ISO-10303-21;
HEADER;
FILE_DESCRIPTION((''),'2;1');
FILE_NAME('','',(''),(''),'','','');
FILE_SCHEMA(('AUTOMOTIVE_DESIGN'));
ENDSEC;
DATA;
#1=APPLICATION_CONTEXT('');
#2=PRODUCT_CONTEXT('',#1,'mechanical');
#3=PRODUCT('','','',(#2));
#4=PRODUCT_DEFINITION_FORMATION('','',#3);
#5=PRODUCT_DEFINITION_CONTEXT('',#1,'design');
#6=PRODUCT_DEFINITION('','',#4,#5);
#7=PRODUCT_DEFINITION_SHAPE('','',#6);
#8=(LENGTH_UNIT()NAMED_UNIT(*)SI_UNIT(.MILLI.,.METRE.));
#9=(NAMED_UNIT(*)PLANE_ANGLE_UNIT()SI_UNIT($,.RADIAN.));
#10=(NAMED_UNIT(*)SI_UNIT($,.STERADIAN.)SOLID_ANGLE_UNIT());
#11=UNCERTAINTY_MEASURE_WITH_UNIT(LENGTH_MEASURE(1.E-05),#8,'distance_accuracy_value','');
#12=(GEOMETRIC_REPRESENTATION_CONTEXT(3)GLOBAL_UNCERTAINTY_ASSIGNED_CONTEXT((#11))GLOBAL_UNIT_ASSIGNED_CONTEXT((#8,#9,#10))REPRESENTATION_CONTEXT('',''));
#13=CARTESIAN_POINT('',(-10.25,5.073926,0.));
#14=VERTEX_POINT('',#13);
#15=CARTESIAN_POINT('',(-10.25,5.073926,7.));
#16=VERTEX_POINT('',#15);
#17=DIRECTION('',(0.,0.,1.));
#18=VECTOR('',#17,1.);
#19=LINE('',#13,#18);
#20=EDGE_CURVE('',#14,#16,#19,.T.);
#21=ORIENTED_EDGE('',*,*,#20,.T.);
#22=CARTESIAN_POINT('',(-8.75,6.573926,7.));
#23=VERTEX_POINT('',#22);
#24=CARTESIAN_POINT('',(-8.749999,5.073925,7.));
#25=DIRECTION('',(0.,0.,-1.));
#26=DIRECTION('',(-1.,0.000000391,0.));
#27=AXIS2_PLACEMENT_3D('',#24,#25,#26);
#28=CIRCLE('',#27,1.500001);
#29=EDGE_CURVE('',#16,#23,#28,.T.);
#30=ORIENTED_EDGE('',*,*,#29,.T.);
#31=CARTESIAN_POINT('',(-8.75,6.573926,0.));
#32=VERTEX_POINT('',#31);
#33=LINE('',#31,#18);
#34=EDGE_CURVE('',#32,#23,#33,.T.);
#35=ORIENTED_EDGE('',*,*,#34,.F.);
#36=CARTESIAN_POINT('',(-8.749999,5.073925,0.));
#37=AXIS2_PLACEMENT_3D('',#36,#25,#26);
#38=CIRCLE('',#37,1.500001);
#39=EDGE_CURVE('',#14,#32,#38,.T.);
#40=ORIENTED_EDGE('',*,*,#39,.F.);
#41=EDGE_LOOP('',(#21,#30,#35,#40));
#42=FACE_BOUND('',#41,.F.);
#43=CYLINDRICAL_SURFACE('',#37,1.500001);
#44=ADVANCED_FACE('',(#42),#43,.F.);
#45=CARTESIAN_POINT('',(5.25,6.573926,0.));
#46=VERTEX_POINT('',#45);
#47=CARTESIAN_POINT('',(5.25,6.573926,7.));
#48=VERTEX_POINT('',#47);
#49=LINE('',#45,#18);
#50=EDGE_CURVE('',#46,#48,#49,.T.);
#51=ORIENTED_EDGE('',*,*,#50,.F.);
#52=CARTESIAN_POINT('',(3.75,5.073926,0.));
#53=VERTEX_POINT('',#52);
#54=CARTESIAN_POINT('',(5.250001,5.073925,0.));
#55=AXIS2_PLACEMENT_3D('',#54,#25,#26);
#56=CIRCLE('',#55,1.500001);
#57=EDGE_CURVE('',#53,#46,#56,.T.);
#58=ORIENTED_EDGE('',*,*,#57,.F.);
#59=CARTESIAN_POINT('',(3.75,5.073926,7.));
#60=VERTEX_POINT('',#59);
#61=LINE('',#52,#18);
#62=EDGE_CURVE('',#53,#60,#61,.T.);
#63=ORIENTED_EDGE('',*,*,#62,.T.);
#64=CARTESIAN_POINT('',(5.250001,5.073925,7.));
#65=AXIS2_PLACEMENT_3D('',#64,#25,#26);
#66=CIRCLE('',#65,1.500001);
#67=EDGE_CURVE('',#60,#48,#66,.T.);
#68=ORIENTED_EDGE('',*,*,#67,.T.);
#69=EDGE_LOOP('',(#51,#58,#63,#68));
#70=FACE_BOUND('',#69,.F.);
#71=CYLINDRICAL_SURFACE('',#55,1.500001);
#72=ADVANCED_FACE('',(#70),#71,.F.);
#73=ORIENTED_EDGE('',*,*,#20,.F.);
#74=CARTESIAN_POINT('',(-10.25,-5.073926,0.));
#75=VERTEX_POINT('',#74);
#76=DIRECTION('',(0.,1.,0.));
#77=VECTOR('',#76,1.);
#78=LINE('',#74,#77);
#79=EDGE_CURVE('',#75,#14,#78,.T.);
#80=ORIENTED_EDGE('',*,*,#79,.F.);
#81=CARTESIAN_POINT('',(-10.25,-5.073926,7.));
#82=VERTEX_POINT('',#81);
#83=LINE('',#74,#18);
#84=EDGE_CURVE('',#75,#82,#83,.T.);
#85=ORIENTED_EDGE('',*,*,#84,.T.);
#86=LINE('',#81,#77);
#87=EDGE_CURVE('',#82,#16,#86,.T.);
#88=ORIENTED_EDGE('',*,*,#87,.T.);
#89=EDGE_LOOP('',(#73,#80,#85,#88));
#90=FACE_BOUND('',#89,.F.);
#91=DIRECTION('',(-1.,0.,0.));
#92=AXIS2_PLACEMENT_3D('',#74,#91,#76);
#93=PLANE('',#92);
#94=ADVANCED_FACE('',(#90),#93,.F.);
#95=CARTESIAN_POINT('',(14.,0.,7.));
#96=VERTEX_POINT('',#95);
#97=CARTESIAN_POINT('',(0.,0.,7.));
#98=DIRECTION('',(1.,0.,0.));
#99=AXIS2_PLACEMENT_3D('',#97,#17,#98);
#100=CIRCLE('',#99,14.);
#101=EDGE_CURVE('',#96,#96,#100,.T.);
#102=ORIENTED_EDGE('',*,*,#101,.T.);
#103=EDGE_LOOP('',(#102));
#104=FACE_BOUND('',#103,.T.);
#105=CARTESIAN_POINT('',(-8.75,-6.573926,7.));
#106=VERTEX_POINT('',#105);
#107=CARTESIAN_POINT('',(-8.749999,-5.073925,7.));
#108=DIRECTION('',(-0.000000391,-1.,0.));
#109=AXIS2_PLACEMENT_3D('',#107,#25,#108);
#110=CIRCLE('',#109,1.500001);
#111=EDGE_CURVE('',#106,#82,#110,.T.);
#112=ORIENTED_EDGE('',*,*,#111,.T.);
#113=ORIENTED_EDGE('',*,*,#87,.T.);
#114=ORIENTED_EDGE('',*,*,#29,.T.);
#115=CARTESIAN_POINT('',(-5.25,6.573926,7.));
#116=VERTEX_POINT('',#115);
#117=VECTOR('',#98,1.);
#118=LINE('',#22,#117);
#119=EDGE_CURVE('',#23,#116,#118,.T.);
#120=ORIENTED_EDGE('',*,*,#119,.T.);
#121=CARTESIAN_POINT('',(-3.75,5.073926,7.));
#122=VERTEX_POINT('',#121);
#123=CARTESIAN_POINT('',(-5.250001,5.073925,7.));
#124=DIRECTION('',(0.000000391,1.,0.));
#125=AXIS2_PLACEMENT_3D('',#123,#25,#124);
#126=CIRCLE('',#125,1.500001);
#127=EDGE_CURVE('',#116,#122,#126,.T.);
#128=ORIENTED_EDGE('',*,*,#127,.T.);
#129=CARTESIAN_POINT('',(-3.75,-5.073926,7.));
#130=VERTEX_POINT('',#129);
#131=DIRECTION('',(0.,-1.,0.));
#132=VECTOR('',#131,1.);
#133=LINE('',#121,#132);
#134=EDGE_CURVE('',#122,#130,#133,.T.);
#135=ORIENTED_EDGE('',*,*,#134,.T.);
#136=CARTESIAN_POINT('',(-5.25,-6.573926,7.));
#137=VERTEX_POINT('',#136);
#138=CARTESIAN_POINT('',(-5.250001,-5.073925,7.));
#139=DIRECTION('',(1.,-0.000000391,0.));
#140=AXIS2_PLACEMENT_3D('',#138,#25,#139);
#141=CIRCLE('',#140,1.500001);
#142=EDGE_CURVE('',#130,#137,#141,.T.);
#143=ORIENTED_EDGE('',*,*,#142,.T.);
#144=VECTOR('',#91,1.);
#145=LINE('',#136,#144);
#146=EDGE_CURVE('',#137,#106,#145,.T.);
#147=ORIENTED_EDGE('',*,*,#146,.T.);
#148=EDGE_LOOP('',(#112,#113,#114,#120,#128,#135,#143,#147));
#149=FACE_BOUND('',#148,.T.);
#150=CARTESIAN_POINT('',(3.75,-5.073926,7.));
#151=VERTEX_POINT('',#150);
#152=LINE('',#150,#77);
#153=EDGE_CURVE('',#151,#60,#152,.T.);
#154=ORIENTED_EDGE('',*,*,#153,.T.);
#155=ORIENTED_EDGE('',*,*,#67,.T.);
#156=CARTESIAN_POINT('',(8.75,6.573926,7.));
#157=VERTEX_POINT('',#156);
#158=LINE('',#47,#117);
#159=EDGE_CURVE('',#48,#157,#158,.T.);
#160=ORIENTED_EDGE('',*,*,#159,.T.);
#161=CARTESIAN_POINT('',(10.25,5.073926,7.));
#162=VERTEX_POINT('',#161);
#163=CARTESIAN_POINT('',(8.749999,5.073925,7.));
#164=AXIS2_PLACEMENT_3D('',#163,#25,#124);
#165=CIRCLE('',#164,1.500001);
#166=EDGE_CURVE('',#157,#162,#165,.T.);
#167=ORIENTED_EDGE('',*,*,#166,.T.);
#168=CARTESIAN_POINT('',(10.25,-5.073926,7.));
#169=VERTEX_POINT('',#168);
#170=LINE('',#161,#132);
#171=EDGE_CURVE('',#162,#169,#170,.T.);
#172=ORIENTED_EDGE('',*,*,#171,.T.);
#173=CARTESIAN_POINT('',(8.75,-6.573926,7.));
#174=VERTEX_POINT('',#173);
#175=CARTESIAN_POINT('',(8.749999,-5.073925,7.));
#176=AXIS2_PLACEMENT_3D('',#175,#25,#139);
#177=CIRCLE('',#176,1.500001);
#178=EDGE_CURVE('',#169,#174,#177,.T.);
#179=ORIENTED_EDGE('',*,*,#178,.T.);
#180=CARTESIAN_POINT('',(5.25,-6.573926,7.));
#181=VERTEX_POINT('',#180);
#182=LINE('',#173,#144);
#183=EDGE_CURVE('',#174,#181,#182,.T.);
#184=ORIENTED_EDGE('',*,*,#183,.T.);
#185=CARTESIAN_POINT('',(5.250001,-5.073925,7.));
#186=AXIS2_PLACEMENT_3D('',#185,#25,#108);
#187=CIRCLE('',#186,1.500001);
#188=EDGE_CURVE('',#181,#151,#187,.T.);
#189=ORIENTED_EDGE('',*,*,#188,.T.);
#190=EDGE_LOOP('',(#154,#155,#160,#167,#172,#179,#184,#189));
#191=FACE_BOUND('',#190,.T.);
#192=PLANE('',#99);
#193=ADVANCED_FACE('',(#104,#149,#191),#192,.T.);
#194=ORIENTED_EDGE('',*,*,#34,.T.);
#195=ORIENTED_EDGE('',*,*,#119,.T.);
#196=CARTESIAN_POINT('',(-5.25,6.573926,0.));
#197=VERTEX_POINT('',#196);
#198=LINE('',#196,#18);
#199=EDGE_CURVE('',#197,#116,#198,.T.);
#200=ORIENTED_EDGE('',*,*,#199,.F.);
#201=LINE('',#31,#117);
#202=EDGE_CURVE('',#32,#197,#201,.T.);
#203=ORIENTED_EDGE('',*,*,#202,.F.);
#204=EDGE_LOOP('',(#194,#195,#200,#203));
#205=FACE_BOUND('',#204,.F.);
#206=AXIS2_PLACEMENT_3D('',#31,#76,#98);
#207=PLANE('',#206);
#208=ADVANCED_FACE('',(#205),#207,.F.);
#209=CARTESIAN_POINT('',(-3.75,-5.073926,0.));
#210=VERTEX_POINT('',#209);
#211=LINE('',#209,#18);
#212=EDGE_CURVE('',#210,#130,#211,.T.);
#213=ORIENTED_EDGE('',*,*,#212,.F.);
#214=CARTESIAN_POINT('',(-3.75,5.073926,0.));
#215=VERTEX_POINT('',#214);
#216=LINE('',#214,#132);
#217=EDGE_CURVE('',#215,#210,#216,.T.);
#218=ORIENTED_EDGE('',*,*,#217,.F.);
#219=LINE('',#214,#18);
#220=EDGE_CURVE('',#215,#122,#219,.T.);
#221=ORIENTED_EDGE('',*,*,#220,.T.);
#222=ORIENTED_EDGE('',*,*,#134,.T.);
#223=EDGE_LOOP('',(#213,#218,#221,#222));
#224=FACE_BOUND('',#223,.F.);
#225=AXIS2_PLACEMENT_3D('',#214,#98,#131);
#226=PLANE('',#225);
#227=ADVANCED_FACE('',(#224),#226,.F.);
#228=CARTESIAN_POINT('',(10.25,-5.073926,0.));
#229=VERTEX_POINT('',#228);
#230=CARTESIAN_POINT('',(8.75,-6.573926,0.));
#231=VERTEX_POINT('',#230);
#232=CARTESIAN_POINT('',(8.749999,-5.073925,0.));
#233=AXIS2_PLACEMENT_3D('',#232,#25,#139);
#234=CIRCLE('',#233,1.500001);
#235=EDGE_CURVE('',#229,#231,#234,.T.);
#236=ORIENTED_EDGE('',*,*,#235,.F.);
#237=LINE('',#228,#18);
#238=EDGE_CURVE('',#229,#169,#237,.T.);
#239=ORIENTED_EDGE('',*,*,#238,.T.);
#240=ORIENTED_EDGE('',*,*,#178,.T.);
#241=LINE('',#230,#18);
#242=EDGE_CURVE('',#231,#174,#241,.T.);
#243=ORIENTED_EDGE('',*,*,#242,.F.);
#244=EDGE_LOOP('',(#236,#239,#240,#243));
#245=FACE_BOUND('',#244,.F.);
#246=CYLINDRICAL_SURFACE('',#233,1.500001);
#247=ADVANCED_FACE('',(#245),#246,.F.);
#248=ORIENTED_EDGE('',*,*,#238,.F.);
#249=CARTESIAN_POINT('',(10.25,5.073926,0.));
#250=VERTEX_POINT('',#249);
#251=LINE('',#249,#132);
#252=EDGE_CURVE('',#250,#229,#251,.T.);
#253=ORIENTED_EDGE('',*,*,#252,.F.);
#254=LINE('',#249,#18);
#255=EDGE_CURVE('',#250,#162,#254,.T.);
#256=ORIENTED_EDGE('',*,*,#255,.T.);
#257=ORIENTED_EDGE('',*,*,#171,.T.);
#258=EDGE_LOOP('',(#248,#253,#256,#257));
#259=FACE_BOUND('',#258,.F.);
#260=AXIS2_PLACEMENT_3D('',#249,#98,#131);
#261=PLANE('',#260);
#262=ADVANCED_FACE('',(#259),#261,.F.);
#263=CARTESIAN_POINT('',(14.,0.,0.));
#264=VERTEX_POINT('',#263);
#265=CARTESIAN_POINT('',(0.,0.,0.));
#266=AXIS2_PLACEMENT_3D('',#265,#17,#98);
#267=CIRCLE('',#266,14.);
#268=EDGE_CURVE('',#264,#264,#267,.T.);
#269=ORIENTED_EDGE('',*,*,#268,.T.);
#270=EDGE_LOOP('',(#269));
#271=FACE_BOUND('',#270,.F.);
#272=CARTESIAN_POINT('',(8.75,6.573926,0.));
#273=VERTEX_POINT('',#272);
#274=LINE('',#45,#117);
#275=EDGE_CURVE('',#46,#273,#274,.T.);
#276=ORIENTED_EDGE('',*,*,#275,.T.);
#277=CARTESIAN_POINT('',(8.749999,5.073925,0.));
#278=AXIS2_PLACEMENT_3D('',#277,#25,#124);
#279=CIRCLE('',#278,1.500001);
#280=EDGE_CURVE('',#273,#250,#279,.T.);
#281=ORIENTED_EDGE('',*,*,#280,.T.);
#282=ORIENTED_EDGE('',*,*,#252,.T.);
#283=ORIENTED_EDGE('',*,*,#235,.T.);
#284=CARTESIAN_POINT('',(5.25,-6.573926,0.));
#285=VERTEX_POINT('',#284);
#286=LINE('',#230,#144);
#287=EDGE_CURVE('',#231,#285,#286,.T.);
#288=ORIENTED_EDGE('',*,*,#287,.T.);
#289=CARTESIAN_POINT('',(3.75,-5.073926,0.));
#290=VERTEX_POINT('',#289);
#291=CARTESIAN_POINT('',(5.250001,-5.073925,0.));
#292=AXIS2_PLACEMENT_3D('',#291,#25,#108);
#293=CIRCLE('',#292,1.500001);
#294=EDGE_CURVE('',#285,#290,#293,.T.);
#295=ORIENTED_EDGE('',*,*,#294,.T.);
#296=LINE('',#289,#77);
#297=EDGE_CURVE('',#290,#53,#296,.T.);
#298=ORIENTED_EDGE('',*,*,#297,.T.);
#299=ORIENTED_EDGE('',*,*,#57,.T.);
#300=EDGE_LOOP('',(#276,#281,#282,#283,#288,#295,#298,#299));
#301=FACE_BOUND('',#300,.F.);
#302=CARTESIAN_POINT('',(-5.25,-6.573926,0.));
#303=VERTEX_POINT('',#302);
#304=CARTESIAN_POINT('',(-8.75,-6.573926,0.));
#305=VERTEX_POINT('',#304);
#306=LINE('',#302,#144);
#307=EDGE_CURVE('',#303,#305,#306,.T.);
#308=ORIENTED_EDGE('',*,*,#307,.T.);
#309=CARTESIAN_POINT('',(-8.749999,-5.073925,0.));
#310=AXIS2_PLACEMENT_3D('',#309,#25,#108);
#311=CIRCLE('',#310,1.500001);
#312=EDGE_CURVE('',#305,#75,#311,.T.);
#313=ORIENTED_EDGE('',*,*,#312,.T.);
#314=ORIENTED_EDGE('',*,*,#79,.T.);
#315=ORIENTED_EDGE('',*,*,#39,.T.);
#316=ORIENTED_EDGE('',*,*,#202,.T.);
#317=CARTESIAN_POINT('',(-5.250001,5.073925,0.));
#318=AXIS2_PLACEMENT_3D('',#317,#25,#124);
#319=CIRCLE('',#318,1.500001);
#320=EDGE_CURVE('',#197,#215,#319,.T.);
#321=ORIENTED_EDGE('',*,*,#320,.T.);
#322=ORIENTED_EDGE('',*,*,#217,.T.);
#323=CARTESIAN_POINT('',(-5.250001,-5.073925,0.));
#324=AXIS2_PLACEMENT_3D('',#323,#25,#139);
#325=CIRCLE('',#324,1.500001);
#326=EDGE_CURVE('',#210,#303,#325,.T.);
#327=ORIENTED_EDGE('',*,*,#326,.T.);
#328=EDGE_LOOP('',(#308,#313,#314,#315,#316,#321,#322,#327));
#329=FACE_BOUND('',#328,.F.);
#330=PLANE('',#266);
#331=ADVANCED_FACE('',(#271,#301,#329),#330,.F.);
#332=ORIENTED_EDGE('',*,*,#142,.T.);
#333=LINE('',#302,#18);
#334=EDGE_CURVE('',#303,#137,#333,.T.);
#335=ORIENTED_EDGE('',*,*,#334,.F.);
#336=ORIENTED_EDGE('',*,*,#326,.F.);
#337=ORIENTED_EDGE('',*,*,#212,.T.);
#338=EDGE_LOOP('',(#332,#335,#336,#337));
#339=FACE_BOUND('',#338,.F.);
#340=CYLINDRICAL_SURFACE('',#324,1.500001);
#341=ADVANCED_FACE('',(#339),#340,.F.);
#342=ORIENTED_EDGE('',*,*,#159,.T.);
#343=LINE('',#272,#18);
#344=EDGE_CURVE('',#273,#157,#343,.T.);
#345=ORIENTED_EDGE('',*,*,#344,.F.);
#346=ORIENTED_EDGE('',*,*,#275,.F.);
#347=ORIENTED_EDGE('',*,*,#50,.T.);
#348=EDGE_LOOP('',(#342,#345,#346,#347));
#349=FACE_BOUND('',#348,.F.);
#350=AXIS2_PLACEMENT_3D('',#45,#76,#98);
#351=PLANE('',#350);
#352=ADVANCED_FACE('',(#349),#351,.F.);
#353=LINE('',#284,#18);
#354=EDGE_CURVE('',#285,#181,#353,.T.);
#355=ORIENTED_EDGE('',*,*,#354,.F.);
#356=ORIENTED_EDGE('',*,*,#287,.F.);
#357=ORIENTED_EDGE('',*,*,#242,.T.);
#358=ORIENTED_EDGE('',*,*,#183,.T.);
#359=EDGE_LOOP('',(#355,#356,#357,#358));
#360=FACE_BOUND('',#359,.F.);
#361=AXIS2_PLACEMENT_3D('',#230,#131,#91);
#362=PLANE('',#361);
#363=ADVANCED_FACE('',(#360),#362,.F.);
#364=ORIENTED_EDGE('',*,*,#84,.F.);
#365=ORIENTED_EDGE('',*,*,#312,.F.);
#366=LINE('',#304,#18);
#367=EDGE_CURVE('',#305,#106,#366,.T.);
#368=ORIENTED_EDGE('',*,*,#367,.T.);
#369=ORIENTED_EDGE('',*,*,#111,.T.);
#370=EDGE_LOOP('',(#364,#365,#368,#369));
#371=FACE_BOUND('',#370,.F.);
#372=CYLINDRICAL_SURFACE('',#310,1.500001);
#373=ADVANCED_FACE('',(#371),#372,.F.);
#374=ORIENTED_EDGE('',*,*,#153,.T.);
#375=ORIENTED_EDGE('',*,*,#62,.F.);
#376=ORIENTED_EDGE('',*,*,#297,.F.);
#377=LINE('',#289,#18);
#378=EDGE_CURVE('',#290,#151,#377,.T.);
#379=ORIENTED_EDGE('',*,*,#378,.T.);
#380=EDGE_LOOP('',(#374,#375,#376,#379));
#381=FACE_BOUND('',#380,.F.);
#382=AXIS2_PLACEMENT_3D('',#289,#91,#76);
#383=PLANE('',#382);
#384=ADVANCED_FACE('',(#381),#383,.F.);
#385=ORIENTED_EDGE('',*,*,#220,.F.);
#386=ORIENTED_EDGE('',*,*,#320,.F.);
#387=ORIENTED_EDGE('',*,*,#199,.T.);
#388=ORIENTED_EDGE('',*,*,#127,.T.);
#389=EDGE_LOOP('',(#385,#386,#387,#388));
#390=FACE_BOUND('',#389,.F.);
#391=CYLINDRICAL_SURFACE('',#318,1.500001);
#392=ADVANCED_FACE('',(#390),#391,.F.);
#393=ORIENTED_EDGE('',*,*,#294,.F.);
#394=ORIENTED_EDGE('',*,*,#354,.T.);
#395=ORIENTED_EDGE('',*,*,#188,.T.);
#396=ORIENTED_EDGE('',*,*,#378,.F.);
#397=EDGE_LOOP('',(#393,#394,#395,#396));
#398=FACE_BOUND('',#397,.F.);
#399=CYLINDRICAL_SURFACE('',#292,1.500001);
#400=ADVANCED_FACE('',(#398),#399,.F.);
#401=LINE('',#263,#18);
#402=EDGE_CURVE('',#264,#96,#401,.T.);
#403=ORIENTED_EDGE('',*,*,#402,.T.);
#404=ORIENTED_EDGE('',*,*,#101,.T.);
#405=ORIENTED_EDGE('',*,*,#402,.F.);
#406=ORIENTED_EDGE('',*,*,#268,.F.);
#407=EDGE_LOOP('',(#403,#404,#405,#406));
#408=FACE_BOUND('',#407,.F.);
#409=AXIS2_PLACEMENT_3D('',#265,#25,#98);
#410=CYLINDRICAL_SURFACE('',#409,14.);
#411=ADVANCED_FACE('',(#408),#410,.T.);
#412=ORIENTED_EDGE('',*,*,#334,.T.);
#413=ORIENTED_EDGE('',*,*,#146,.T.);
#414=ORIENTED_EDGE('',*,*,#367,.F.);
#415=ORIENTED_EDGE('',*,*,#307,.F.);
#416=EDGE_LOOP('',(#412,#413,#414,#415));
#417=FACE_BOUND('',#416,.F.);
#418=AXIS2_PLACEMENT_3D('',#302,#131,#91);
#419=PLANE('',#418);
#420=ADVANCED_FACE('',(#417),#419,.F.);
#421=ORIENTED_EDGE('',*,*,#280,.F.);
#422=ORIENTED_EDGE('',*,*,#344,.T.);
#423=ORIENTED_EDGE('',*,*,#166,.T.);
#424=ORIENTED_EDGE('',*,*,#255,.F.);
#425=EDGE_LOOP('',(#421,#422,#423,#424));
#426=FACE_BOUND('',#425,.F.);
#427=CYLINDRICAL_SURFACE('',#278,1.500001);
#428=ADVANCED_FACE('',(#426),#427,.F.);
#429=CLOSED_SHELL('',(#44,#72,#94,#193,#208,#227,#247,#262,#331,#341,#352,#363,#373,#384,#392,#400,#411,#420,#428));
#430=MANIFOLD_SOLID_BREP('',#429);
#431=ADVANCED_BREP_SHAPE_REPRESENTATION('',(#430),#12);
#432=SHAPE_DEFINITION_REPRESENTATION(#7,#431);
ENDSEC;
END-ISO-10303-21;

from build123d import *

# Parameters (mm, degrees)
F0_R     = 14
F1_DEPTH = 7


with BuildPart() as f1:
    # F0 (on Top) → F1 (new body)
    with BuildSketch(Plane.XY):
        Circle(F0_R)
        with BuildLine():
            Line((-8.75, 6.573926), (-5.25, 6.573926))
            ThreePointArc((-5.25, 6.573926), (-4.18934, 6.134586), (-3.75, 5.073926))
            Line((-3.75, 5.073926), (-3.75, -5.073926))
            ThreePointArc((-3.75, -5.073926), (-4.18934, -6.134586), (-5.25, -6.573926))
            Line((-5.25, -6.573926), (-8.75, -6.573926))
            ThreePointArc((-8.75, -6.573926), (-9.81066, -6.134586), (-10.25, -5.073926))
            Line((-10.25, -5.073926), (-10.25, 5.073926))
            ThreePointArc((-10.25, 5.073926), (-9.81066, 6.134586), (-8.75, 6.573926))
        make_face(mode=Mode.SUBTRACT)
        with BuildLine():
            Line((10.25, 5.073926), (10.25, -5.073926))
            ThreePointArc((10.25, -5.073926), (9.81066, -6.134586), (8.75, -6.573926))
            Line((8.75, -6.573926), (5.25, -6.573926))
            ThreePointArc((5.25, -6.573926), (4.18934, -6.134586), (3.75, -5.073926))
            Line((3.75, -5.073926), (3.75, 5.073926))
            ThreePointArc((3.75, 5.073926), (4.18934, 6.134586), (5.25, 6.573926))
            Line((5.25, 6.573926), (8.75, 6.573926))
            ThreePointArc((8.75, 6.573926), (9.81066, 6.134586), (10.25, 5.073926))
        make_face(mode=Mode.SUBTRACT)
    extrude(amount=F1_DEPTH)


solid = f1.part
